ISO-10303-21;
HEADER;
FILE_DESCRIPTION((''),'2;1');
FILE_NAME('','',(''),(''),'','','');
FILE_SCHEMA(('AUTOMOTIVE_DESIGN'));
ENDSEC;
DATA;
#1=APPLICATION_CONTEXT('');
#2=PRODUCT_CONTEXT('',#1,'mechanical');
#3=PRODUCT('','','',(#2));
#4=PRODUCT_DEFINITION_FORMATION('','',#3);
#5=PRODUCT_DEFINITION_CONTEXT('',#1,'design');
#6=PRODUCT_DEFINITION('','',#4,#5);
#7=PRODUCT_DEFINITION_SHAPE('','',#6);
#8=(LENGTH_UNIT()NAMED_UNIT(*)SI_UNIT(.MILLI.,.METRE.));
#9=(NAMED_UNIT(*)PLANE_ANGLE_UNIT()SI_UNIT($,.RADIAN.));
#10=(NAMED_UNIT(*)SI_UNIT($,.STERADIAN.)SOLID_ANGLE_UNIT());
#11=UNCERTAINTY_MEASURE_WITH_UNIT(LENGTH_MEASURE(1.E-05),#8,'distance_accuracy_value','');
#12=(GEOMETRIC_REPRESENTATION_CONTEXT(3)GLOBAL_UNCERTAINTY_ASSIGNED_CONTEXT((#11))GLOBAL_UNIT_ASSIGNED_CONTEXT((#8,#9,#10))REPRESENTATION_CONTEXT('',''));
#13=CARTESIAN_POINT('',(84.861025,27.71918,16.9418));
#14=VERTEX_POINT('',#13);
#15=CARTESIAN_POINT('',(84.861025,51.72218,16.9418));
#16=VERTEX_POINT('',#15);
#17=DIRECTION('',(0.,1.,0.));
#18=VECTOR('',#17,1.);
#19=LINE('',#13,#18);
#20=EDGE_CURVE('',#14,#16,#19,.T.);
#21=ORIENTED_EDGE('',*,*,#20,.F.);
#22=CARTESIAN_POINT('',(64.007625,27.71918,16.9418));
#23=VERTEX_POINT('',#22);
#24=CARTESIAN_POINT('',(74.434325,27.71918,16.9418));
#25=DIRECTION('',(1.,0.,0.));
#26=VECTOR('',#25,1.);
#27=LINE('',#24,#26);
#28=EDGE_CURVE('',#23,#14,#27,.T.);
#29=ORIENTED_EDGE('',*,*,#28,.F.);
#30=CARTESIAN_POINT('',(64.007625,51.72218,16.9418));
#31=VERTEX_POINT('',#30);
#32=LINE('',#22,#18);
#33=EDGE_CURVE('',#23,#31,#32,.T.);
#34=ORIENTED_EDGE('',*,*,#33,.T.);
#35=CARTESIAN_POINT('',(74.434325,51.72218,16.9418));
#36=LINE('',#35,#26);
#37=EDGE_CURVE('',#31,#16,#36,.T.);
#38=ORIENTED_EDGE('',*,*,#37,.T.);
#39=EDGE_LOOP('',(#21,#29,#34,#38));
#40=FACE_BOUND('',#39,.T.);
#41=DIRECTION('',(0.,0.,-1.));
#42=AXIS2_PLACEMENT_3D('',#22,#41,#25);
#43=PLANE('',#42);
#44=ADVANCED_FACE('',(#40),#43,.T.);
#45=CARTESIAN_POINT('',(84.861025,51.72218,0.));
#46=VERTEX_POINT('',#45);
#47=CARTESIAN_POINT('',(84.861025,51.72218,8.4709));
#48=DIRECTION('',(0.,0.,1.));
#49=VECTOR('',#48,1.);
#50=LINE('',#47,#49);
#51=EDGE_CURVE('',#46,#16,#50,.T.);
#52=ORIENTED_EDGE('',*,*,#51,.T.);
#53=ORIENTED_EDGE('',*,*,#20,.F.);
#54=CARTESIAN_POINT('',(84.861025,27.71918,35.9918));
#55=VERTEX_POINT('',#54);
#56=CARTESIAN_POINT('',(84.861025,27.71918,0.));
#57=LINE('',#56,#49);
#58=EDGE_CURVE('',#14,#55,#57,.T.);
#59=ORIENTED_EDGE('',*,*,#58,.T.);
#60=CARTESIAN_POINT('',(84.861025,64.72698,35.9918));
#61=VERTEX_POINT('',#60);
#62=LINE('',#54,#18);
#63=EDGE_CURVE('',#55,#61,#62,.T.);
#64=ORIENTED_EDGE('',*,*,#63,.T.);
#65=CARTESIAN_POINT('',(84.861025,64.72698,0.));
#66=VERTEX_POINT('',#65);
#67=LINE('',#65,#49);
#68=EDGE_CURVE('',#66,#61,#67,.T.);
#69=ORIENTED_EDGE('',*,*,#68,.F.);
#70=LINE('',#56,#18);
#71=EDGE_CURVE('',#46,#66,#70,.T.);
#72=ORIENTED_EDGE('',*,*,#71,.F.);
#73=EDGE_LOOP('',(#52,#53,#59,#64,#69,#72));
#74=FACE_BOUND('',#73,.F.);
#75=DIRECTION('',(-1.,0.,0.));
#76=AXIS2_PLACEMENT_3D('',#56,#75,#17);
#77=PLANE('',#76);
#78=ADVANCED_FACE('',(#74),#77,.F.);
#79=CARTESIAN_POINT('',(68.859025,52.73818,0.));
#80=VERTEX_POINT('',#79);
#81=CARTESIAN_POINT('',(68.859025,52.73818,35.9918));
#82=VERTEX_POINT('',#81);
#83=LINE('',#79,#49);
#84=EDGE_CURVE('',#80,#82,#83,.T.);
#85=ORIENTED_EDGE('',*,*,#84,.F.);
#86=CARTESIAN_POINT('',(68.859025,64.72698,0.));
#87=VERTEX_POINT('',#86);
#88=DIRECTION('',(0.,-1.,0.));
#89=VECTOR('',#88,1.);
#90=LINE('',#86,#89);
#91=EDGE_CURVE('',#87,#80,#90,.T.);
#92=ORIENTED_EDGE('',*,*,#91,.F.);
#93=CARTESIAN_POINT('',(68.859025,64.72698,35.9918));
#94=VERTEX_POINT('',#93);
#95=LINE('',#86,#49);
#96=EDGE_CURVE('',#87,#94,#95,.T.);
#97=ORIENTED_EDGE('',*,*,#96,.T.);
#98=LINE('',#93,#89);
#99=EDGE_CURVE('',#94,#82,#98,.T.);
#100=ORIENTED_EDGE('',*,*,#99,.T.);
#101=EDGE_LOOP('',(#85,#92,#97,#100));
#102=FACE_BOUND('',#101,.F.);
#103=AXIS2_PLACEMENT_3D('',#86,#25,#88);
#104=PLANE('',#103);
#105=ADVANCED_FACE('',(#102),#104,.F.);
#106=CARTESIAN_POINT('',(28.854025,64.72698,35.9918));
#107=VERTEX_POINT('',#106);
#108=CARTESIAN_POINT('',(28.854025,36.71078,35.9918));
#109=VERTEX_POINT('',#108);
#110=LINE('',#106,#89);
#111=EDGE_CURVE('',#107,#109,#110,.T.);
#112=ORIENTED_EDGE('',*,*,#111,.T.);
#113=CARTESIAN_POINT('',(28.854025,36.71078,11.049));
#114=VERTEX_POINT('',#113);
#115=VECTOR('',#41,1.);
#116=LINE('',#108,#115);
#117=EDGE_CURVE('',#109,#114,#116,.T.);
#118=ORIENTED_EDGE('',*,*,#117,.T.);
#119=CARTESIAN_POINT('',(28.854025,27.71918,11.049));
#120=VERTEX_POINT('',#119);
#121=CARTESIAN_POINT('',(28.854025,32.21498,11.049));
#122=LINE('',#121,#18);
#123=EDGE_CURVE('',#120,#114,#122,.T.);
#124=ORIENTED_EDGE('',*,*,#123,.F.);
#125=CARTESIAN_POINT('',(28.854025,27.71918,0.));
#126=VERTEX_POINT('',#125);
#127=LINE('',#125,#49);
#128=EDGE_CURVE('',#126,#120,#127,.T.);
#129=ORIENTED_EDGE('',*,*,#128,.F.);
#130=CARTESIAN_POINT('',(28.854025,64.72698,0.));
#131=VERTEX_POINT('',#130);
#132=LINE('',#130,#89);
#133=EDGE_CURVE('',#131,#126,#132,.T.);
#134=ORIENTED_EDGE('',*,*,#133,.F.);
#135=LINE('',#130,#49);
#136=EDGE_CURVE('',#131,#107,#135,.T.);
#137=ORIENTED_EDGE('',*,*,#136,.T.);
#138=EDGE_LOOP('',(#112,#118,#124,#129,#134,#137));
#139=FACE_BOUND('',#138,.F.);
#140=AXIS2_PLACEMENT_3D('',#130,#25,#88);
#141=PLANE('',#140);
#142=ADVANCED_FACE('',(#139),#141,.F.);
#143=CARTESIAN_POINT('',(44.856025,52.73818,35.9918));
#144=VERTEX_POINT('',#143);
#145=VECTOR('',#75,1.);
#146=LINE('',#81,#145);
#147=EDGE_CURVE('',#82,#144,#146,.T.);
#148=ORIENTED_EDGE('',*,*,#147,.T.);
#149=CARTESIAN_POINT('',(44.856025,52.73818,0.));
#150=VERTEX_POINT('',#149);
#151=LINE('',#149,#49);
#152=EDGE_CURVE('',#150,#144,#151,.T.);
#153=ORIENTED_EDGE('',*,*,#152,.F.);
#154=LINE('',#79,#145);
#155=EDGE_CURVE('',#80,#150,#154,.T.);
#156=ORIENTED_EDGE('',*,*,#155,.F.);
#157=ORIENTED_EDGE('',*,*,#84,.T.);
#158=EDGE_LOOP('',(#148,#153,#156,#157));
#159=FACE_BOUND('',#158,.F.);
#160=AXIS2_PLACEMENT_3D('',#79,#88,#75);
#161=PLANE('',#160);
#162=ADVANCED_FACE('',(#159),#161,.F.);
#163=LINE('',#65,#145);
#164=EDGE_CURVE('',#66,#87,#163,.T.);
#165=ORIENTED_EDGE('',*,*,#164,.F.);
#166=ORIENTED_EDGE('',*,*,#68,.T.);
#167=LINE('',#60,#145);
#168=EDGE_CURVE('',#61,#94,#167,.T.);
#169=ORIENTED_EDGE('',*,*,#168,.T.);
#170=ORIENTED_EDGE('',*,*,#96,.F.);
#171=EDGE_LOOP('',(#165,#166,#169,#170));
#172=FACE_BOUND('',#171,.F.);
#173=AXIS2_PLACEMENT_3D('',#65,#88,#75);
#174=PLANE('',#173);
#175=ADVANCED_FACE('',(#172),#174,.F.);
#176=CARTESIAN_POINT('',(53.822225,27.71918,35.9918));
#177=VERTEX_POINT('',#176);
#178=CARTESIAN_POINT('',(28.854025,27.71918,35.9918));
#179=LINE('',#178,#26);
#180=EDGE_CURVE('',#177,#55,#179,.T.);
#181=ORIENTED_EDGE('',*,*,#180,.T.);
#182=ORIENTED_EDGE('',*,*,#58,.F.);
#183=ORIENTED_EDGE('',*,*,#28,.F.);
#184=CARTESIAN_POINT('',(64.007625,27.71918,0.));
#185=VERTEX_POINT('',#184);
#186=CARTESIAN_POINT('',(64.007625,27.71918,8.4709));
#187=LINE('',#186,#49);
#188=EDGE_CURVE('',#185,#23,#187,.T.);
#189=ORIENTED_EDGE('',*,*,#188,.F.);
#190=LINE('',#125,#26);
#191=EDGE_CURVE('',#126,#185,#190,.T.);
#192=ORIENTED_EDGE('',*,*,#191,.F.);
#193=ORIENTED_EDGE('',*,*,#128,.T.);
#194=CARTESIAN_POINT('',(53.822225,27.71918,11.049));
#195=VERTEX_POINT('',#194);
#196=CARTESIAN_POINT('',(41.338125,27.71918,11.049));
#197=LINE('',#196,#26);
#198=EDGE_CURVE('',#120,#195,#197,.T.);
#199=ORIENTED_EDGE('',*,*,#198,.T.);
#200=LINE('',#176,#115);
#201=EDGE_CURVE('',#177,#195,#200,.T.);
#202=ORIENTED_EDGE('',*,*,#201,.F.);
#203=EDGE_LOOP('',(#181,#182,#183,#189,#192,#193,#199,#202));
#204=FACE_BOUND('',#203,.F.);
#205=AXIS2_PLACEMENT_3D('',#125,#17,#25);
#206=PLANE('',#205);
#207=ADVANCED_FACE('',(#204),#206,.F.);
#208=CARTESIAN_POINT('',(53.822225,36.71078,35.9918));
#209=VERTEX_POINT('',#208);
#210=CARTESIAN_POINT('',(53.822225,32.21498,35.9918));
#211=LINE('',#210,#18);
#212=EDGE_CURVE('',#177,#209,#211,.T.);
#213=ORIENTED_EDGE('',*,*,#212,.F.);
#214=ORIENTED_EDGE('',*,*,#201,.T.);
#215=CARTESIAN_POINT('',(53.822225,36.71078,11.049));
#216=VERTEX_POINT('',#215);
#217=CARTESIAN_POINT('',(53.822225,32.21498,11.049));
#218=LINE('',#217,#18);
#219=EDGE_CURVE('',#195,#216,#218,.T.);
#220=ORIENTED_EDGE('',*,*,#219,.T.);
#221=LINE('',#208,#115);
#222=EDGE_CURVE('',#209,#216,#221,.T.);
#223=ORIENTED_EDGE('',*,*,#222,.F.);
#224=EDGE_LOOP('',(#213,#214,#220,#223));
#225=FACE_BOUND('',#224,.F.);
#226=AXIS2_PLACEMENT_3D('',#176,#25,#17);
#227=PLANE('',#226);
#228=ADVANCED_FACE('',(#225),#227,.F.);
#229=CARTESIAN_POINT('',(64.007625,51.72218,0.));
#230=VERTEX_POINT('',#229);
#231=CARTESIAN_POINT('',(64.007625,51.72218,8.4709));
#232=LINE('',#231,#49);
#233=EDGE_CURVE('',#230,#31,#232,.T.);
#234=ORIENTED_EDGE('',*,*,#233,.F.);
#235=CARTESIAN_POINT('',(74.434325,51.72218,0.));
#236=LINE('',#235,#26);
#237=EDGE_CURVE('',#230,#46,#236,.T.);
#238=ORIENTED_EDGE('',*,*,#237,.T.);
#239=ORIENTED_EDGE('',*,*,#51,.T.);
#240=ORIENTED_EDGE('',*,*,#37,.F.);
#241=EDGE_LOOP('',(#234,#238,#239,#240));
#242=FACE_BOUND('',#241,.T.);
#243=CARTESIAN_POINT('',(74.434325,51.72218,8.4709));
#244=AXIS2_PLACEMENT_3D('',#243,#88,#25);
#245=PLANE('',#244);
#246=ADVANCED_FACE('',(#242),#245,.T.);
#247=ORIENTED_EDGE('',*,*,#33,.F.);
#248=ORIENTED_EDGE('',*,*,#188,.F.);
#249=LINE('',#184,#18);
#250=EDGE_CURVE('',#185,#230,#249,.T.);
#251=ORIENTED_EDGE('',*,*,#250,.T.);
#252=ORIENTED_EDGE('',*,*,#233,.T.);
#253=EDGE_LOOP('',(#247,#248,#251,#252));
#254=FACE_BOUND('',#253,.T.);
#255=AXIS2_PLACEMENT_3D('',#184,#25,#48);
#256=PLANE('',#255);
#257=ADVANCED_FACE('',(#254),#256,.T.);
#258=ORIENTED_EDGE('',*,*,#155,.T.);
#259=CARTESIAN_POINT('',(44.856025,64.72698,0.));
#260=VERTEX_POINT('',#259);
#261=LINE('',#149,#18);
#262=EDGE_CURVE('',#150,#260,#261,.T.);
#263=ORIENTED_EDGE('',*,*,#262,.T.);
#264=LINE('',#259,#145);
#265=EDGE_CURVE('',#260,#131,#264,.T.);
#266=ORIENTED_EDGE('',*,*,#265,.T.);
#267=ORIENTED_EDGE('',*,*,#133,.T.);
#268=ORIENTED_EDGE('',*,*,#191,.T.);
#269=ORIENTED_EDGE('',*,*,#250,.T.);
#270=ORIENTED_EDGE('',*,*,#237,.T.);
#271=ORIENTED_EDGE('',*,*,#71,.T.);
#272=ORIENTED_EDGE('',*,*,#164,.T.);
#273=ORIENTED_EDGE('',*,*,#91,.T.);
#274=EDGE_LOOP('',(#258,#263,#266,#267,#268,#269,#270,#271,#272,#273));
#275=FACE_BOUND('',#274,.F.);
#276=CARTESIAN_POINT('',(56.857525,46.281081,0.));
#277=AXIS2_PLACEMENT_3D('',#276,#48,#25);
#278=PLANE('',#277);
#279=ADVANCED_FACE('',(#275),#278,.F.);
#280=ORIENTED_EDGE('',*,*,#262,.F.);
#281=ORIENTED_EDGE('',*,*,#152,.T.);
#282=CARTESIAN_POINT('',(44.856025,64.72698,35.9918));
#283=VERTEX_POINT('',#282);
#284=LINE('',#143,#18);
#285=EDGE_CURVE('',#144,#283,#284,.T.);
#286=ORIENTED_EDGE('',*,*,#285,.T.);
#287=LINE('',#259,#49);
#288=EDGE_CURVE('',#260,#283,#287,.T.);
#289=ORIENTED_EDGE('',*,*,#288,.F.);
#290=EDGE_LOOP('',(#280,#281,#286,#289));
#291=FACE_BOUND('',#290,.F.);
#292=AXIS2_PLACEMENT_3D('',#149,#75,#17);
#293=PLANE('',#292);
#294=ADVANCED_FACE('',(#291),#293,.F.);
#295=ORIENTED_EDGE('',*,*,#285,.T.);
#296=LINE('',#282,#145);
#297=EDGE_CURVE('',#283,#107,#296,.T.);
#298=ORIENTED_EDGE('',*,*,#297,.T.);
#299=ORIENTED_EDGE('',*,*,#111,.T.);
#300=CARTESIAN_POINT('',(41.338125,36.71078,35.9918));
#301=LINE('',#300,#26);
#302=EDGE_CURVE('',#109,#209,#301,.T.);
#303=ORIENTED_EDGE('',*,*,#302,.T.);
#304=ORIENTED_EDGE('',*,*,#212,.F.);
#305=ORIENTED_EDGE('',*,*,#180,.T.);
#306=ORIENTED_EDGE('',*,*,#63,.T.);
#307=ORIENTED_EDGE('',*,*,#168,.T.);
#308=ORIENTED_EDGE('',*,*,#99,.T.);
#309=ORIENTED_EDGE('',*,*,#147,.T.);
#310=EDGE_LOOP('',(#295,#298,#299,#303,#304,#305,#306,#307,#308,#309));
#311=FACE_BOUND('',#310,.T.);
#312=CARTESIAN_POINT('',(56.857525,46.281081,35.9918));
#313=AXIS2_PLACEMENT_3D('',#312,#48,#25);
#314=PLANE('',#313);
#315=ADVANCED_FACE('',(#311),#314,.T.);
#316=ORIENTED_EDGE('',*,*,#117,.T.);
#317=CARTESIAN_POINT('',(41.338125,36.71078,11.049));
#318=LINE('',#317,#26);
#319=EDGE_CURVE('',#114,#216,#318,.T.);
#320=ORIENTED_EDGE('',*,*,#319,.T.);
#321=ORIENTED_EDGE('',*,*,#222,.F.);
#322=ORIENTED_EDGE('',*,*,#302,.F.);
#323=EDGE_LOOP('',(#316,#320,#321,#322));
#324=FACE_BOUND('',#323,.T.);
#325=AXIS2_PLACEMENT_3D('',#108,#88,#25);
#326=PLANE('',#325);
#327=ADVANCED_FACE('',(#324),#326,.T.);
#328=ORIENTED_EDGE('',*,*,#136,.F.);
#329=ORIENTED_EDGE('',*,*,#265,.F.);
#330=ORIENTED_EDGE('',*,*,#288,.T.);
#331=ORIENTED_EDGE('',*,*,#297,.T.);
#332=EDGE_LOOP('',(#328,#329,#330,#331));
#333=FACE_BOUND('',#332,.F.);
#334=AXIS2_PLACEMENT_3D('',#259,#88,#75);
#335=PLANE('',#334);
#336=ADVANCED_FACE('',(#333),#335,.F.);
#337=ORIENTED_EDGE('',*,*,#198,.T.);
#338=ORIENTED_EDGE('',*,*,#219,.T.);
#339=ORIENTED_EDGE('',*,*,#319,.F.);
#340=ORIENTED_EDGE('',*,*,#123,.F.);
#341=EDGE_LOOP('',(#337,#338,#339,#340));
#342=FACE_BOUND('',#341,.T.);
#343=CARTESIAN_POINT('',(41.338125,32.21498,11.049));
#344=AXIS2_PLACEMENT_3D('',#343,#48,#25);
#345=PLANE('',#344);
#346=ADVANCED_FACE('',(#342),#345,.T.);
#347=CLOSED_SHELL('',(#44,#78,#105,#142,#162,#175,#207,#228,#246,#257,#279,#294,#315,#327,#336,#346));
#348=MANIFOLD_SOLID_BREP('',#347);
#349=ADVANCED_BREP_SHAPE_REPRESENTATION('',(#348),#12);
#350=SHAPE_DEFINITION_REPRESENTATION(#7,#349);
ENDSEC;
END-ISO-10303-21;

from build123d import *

# Parameters (mm, degrees)
F1_DEPTH = 35.9918
F2_W     = 24.9682
F2_H     = 8.9916
F3_DEPTH = 24.9428
F4_W     = 20.8534
F4_H     = 16.9418
F5_DEPTH = 24.003


with BuildPart() as f1:
    # F0 (on Top) → F1 (new body)
    with BuildSketch(Plane.XY):
        Polygon((44.856025, 64.72698), (28.854025, 64.72698), (28.854025, 27.71918), (84.861025, 27.71918), (84.861025, 64.72698), (68.859025, 64.72698), (68.859025, 52.73818), (44.856025, 52.73818), align=None)
    extrude(amount=F1_DEPTH)

    # F2 (on face) → F3 (cut)
    with BuildSketch(Plane.XY.offset(35.9918)):
        with Locations((41.338125, 32.21498)):
            Rectangle(F2_W, F2_H)
    extrude(amount=-F3_DEPTH, mode=Mode.SUBTRACT)

    # F4 (on face) → F5 (cut)
    with BuildSketch(Plane.XZ.offset(-27.71918)):
        with Locations((74.434325, 8.4709)):
            Rectangle(F4_W, F4_H)
    extrude(amount=-F5_DEPTH, mode=Mode.SUBTRACT)


solid = f1.part
